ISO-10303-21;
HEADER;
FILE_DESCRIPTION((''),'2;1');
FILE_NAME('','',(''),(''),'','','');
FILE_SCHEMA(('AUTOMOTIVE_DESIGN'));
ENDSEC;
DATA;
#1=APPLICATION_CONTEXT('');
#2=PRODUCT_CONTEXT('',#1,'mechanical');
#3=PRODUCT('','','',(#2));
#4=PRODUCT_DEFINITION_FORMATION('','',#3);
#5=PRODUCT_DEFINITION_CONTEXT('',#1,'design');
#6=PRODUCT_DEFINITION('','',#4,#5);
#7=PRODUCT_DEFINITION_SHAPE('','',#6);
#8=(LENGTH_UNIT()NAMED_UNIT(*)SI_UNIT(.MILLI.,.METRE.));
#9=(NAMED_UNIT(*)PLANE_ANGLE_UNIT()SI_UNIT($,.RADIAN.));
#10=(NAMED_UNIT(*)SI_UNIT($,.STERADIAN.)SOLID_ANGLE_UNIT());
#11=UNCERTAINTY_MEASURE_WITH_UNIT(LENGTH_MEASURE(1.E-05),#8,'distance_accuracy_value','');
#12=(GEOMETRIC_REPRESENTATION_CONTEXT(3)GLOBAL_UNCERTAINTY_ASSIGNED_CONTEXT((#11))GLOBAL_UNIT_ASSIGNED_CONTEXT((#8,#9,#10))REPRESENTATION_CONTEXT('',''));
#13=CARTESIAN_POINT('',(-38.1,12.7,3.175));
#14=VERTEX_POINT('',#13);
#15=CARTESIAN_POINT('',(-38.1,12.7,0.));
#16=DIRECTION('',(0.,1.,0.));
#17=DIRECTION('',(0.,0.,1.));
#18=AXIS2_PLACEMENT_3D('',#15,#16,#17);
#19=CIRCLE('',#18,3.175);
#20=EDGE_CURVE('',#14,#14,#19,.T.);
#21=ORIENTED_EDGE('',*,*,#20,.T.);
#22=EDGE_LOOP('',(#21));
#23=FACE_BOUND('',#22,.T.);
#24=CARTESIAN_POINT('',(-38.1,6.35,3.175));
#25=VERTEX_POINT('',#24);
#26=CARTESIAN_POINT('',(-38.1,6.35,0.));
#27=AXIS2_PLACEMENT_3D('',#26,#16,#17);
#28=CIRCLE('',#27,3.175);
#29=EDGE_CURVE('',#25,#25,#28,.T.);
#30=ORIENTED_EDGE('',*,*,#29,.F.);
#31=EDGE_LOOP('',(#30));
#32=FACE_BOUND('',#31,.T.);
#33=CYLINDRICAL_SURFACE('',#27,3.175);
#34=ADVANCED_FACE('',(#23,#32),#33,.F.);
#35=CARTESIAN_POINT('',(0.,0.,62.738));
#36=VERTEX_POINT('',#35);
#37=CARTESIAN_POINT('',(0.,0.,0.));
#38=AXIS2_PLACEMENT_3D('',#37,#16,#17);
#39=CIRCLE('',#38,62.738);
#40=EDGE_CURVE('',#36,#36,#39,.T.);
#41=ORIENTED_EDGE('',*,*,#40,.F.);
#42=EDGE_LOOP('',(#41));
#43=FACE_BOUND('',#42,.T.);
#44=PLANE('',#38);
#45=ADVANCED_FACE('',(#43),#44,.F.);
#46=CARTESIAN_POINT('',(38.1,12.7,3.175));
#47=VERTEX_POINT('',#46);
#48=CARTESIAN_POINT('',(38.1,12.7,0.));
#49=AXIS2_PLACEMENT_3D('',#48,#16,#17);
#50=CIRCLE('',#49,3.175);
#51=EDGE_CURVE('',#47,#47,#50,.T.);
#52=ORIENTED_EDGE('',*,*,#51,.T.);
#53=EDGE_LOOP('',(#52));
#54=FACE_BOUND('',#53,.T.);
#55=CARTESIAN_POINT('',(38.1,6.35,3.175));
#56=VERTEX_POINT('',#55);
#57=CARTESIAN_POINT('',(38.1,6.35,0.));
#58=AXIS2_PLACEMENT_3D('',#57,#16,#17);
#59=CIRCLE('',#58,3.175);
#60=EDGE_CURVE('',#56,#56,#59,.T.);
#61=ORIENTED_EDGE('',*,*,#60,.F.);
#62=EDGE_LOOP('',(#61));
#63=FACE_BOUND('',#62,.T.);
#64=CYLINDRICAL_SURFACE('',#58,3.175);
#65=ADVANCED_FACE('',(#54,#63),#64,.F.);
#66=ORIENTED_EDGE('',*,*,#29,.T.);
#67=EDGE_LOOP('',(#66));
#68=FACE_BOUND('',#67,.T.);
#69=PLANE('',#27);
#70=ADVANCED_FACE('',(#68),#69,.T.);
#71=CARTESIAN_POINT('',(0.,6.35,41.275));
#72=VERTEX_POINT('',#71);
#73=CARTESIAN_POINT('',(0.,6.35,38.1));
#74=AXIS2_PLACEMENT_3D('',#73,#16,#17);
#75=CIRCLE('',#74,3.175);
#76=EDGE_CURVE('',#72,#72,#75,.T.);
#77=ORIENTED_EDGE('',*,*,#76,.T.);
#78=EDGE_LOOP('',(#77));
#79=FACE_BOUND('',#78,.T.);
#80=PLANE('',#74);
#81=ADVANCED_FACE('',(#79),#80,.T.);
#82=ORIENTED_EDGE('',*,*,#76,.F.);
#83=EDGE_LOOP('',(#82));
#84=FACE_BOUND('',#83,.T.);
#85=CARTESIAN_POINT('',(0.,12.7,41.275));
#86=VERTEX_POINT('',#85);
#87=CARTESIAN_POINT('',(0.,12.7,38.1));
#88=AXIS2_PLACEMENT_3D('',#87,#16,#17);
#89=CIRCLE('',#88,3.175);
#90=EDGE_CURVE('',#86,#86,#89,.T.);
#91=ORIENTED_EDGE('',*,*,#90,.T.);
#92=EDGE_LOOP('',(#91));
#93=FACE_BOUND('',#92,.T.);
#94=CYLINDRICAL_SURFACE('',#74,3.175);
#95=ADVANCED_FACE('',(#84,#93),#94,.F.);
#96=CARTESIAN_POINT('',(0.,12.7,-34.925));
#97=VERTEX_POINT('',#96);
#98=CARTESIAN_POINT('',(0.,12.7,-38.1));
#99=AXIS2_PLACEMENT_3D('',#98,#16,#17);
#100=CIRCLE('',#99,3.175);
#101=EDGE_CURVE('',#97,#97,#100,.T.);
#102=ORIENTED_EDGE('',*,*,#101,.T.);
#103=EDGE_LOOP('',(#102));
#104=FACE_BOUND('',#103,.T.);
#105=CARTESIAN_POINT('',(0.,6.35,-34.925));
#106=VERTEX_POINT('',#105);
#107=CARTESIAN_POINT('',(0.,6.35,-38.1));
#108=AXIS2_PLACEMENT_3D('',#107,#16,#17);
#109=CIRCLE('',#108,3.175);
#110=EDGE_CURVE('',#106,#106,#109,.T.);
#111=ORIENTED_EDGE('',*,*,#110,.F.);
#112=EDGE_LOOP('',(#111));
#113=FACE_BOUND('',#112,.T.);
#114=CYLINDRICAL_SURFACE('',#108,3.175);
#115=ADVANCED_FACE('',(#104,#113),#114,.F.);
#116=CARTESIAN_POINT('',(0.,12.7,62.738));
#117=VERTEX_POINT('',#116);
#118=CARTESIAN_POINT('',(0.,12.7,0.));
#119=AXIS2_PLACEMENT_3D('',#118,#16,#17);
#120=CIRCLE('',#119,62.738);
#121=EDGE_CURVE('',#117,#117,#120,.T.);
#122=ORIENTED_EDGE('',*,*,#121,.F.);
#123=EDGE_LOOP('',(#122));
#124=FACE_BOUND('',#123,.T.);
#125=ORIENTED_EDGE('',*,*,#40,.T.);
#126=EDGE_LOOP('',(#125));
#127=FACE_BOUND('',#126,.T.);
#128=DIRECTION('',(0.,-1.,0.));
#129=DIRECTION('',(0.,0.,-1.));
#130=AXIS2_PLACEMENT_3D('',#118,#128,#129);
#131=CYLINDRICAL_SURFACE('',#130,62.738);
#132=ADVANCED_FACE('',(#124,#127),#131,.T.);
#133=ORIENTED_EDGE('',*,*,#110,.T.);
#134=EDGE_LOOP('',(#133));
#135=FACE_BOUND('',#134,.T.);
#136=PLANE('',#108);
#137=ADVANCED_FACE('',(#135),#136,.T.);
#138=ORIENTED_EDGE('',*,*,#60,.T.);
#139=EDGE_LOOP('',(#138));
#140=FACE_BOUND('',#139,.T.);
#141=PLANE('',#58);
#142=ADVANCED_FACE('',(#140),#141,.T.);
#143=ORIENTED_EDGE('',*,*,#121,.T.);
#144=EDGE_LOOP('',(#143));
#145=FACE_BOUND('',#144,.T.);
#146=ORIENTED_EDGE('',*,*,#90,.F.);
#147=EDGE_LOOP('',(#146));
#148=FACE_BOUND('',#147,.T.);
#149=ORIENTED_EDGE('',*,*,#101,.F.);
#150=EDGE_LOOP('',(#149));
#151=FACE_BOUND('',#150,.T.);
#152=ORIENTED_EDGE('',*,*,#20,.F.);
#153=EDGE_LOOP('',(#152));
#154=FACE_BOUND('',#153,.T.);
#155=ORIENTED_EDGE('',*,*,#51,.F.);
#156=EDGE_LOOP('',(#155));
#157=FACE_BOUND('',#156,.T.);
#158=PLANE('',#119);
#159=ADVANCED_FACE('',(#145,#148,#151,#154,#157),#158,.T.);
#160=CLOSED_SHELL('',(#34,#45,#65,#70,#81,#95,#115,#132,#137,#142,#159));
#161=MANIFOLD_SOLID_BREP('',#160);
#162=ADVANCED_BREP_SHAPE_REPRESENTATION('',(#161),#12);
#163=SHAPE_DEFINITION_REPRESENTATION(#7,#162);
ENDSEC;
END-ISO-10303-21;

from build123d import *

# Parameters (mm, degrees)
SKETCH1_R           = 62.738
BOSS_EXTRUDE1_DEPTH = 12.7
SKETCH2_R           = 3.175
CUT_EXTRUDE1_DEPTH  = 6.35


with BuildPart() as part:
    # Sketch1 → Boss-Extrude1 (new body)
    with BuildSketch(Plane(origin=(0, 0, 0), x_dir=(1, 0, 0), z_dir=(0, 1, 0))):
        Circle(SKETCH1_R)
    extrude(amount=BOSS_EXTRUDE1_DEPTH)

    # Sketch2 → Cut-Extrude1 (cut)
    with BuildSketch(Plane(origin=(0, 12.7, 0), x_dir=(1, 0, 0), z_dir=(0, 1, 0))):
        with Locations((38.1, 0)):
            Circle(SKETCH2_R)
        with Locations((0, -38.1)):
            Circle(SKETCH2_R)
        with Locations((-38.1, 0)):
            Circle(SKETCH2_R)
        with Locations((0, 38.1)):
            Circle(SKETCH2_R)
    extrude(amount=-CUT_EXTRUDE1_DEPTH, mode=Mode.SUBTRACT)


solid = part.part
